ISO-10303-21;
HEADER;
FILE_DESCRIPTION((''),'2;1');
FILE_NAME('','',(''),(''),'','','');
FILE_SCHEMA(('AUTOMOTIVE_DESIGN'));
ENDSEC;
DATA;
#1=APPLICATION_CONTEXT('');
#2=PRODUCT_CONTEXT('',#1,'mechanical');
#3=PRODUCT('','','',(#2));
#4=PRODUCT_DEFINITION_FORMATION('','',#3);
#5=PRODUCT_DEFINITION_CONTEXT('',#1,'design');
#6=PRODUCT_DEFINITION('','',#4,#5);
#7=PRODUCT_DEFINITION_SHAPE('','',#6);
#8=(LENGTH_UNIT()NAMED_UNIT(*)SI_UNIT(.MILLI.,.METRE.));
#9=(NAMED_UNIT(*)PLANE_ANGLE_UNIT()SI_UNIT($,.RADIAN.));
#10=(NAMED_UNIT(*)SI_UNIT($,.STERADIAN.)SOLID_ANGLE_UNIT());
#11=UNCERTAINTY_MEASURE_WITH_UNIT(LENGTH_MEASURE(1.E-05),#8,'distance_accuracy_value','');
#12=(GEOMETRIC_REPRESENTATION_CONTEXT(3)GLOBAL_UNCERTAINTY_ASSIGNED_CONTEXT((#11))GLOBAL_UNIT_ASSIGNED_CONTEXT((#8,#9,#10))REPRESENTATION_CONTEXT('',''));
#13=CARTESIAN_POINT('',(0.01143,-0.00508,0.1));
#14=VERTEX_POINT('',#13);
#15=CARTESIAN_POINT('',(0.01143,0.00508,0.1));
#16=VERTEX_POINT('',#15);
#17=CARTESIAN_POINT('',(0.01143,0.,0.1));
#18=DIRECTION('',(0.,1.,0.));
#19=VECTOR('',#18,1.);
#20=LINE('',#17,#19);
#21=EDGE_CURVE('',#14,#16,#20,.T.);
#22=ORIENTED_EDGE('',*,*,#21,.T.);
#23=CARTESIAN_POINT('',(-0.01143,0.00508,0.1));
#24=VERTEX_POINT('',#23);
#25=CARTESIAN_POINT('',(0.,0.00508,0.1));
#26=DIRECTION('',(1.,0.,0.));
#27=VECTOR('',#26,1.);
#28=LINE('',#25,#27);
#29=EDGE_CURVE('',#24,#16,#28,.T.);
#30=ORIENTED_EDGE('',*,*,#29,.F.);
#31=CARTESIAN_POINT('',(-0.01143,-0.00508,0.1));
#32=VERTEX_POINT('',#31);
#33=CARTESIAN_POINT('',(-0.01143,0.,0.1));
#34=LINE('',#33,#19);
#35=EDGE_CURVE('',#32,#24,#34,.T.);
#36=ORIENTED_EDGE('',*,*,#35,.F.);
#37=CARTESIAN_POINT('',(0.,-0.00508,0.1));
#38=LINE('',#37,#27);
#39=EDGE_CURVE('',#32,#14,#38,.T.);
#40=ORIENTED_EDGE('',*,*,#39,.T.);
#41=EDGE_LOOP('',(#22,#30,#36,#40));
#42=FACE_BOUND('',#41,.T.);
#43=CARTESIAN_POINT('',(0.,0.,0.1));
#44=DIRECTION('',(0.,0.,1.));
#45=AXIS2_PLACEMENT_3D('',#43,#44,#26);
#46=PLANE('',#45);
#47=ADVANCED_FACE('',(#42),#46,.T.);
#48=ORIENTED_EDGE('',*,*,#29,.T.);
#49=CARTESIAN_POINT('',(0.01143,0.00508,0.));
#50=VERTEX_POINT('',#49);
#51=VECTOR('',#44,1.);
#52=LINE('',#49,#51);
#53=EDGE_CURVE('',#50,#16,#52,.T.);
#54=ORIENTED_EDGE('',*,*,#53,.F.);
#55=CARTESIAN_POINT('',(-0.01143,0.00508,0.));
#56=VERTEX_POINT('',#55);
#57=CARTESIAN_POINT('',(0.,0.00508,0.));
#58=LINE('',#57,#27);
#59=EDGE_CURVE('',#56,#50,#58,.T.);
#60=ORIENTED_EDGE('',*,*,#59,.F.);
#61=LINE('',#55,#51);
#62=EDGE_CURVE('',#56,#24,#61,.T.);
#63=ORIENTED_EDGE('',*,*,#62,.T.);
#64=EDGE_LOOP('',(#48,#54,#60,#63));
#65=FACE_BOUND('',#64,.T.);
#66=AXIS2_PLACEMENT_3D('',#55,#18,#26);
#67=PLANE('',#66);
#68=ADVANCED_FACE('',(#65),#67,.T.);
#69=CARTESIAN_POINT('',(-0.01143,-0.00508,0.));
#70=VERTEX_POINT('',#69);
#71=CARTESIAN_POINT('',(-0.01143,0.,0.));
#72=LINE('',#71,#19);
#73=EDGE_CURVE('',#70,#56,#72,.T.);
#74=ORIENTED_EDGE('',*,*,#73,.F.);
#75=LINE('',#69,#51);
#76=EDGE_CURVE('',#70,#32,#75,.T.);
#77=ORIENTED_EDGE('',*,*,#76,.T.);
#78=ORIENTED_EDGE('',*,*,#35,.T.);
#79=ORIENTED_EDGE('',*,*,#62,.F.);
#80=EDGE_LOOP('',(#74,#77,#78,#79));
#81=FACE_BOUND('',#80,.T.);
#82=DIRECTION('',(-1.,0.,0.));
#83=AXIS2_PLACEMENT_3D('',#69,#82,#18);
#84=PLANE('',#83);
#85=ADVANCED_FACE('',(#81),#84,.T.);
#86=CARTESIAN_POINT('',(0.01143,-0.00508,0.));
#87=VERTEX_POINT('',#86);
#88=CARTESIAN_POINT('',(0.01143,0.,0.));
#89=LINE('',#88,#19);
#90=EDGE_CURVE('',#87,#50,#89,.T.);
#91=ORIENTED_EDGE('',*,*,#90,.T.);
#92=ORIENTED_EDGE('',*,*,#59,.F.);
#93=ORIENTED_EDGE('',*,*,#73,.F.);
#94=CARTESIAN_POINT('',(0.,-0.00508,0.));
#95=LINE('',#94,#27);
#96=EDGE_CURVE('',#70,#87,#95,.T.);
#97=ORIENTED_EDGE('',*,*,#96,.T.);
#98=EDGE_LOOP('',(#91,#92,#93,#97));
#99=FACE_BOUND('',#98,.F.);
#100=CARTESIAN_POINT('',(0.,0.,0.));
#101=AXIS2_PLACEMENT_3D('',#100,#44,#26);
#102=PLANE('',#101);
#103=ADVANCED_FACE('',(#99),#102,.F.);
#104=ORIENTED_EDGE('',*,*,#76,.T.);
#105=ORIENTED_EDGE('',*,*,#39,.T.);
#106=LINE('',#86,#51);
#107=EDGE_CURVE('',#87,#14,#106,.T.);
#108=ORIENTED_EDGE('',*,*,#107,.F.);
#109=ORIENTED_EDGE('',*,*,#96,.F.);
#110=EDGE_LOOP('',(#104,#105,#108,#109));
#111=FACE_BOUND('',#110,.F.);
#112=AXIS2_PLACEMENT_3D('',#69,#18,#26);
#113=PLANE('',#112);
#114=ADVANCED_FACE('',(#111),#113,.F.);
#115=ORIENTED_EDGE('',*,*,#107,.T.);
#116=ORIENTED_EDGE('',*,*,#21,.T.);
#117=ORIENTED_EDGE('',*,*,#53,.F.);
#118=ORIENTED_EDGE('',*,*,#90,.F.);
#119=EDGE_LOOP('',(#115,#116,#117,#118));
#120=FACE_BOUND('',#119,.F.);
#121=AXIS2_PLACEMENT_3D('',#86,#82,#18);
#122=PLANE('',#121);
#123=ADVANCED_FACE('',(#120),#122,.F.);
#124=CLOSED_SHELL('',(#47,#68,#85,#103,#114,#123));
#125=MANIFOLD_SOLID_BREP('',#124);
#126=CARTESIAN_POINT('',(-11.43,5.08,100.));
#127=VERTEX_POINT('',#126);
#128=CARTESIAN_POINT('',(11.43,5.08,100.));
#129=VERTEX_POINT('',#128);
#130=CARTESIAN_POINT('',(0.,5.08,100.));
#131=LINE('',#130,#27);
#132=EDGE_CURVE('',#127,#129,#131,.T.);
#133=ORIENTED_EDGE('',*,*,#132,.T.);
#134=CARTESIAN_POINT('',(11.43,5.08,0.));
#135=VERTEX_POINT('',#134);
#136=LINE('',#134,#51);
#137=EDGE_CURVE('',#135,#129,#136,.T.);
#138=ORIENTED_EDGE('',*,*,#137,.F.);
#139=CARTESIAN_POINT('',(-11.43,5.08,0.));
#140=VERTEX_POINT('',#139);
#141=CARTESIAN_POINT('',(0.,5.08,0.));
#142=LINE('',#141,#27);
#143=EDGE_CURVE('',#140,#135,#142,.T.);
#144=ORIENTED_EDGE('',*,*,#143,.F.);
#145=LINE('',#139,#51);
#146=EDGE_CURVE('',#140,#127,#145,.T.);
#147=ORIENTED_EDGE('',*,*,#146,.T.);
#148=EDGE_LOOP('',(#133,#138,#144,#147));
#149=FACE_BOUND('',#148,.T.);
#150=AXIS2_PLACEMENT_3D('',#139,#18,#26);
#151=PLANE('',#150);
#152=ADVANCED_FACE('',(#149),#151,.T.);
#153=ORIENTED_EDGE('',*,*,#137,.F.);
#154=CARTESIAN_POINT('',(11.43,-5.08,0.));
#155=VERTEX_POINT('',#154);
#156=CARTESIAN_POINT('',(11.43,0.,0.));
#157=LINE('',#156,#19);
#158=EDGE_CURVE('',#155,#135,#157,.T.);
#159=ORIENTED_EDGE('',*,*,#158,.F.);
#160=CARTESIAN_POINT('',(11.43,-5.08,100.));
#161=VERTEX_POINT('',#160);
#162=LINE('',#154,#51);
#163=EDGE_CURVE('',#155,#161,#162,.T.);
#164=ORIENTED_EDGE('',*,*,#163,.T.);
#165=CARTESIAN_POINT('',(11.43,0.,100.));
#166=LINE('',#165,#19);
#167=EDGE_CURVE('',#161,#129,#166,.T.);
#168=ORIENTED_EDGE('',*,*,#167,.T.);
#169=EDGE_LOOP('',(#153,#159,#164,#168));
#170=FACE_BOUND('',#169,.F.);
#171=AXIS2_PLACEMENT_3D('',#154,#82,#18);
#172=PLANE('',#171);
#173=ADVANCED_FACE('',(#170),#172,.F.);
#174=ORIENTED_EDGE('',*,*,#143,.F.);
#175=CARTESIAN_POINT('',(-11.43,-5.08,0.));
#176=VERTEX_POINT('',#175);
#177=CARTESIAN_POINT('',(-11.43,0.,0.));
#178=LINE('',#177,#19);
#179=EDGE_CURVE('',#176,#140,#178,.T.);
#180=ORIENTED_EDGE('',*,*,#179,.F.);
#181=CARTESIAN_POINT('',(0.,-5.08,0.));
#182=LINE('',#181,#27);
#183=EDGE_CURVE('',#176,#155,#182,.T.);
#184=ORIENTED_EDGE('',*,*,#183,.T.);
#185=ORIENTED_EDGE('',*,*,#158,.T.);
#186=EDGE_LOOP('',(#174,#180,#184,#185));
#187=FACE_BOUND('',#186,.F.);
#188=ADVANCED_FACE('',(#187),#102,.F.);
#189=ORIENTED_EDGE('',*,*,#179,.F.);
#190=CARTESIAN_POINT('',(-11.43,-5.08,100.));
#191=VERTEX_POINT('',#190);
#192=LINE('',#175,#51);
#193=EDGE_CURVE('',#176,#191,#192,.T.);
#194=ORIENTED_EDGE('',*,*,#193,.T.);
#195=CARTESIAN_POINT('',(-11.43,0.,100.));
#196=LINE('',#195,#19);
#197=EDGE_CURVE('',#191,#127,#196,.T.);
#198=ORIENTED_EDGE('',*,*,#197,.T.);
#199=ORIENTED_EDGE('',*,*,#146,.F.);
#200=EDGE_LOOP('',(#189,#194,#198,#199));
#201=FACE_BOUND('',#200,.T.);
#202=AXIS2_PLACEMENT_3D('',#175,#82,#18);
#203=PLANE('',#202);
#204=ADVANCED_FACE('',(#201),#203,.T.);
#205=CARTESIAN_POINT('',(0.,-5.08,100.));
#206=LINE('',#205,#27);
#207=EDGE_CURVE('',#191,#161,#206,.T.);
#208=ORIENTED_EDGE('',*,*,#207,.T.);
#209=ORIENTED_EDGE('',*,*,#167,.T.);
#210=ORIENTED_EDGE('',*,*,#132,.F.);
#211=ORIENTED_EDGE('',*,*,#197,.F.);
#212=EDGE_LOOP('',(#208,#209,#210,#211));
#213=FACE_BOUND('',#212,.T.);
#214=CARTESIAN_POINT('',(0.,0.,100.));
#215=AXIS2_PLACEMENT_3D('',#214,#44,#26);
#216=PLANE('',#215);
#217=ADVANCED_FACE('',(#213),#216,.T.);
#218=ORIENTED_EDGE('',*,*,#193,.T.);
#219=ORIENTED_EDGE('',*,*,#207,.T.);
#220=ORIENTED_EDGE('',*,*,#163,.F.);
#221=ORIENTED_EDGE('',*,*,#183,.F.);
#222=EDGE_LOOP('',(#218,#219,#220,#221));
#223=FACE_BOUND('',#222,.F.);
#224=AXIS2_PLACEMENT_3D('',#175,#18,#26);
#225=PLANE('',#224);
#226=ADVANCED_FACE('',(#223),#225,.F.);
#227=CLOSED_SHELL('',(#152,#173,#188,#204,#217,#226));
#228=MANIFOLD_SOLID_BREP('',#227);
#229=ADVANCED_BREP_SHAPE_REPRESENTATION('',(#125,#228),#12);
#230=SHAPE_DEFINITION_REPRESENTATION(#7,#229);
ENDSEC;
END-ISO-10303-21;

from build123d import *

# Parameters (mm, degrees)
RECTANGLE_W           = 22.86
RECTANGLE_H           = 10.16
EXTRUDE_DEPTH         = 100
CLONE_SCALE_SCALE     = 0.001
CLONE_PLACEMENT_ANGLE = 90


with BuildPart() as extrude_body:
    # Rectangle → Extrude (new body)
    with BuildSketch(Plane(origin=(-11.43, -5.08, 0), x_dir=(1, 0, 0), z_dir=(0, 0, 1))):
        with Locations((11.43, 5.08)):
            Rectangle(RECTANGLE_W, RECTANGLE_H)
    extrude(amount=EXTRUDE_DEPTH)


with BuildPart() as extrude001:
    # Clone base: copy of Extrude body
    add(extrude_body.part)


with BuildPart() as extrude001_1:
    # Clone scale: moved
    add(extrude001.part.scale(CLONE_SCALE_SCALE))


with BuildPart() as extrude001_2:
    # Clone placement: moved
    add(extrude001_1.part.rotate(Axis((0, 0, 0), (1, 0, 0)), CLONE_PLACEMENT_ANGLE))


solid = Compound([extrude_body.part, extrude001_2.part])
